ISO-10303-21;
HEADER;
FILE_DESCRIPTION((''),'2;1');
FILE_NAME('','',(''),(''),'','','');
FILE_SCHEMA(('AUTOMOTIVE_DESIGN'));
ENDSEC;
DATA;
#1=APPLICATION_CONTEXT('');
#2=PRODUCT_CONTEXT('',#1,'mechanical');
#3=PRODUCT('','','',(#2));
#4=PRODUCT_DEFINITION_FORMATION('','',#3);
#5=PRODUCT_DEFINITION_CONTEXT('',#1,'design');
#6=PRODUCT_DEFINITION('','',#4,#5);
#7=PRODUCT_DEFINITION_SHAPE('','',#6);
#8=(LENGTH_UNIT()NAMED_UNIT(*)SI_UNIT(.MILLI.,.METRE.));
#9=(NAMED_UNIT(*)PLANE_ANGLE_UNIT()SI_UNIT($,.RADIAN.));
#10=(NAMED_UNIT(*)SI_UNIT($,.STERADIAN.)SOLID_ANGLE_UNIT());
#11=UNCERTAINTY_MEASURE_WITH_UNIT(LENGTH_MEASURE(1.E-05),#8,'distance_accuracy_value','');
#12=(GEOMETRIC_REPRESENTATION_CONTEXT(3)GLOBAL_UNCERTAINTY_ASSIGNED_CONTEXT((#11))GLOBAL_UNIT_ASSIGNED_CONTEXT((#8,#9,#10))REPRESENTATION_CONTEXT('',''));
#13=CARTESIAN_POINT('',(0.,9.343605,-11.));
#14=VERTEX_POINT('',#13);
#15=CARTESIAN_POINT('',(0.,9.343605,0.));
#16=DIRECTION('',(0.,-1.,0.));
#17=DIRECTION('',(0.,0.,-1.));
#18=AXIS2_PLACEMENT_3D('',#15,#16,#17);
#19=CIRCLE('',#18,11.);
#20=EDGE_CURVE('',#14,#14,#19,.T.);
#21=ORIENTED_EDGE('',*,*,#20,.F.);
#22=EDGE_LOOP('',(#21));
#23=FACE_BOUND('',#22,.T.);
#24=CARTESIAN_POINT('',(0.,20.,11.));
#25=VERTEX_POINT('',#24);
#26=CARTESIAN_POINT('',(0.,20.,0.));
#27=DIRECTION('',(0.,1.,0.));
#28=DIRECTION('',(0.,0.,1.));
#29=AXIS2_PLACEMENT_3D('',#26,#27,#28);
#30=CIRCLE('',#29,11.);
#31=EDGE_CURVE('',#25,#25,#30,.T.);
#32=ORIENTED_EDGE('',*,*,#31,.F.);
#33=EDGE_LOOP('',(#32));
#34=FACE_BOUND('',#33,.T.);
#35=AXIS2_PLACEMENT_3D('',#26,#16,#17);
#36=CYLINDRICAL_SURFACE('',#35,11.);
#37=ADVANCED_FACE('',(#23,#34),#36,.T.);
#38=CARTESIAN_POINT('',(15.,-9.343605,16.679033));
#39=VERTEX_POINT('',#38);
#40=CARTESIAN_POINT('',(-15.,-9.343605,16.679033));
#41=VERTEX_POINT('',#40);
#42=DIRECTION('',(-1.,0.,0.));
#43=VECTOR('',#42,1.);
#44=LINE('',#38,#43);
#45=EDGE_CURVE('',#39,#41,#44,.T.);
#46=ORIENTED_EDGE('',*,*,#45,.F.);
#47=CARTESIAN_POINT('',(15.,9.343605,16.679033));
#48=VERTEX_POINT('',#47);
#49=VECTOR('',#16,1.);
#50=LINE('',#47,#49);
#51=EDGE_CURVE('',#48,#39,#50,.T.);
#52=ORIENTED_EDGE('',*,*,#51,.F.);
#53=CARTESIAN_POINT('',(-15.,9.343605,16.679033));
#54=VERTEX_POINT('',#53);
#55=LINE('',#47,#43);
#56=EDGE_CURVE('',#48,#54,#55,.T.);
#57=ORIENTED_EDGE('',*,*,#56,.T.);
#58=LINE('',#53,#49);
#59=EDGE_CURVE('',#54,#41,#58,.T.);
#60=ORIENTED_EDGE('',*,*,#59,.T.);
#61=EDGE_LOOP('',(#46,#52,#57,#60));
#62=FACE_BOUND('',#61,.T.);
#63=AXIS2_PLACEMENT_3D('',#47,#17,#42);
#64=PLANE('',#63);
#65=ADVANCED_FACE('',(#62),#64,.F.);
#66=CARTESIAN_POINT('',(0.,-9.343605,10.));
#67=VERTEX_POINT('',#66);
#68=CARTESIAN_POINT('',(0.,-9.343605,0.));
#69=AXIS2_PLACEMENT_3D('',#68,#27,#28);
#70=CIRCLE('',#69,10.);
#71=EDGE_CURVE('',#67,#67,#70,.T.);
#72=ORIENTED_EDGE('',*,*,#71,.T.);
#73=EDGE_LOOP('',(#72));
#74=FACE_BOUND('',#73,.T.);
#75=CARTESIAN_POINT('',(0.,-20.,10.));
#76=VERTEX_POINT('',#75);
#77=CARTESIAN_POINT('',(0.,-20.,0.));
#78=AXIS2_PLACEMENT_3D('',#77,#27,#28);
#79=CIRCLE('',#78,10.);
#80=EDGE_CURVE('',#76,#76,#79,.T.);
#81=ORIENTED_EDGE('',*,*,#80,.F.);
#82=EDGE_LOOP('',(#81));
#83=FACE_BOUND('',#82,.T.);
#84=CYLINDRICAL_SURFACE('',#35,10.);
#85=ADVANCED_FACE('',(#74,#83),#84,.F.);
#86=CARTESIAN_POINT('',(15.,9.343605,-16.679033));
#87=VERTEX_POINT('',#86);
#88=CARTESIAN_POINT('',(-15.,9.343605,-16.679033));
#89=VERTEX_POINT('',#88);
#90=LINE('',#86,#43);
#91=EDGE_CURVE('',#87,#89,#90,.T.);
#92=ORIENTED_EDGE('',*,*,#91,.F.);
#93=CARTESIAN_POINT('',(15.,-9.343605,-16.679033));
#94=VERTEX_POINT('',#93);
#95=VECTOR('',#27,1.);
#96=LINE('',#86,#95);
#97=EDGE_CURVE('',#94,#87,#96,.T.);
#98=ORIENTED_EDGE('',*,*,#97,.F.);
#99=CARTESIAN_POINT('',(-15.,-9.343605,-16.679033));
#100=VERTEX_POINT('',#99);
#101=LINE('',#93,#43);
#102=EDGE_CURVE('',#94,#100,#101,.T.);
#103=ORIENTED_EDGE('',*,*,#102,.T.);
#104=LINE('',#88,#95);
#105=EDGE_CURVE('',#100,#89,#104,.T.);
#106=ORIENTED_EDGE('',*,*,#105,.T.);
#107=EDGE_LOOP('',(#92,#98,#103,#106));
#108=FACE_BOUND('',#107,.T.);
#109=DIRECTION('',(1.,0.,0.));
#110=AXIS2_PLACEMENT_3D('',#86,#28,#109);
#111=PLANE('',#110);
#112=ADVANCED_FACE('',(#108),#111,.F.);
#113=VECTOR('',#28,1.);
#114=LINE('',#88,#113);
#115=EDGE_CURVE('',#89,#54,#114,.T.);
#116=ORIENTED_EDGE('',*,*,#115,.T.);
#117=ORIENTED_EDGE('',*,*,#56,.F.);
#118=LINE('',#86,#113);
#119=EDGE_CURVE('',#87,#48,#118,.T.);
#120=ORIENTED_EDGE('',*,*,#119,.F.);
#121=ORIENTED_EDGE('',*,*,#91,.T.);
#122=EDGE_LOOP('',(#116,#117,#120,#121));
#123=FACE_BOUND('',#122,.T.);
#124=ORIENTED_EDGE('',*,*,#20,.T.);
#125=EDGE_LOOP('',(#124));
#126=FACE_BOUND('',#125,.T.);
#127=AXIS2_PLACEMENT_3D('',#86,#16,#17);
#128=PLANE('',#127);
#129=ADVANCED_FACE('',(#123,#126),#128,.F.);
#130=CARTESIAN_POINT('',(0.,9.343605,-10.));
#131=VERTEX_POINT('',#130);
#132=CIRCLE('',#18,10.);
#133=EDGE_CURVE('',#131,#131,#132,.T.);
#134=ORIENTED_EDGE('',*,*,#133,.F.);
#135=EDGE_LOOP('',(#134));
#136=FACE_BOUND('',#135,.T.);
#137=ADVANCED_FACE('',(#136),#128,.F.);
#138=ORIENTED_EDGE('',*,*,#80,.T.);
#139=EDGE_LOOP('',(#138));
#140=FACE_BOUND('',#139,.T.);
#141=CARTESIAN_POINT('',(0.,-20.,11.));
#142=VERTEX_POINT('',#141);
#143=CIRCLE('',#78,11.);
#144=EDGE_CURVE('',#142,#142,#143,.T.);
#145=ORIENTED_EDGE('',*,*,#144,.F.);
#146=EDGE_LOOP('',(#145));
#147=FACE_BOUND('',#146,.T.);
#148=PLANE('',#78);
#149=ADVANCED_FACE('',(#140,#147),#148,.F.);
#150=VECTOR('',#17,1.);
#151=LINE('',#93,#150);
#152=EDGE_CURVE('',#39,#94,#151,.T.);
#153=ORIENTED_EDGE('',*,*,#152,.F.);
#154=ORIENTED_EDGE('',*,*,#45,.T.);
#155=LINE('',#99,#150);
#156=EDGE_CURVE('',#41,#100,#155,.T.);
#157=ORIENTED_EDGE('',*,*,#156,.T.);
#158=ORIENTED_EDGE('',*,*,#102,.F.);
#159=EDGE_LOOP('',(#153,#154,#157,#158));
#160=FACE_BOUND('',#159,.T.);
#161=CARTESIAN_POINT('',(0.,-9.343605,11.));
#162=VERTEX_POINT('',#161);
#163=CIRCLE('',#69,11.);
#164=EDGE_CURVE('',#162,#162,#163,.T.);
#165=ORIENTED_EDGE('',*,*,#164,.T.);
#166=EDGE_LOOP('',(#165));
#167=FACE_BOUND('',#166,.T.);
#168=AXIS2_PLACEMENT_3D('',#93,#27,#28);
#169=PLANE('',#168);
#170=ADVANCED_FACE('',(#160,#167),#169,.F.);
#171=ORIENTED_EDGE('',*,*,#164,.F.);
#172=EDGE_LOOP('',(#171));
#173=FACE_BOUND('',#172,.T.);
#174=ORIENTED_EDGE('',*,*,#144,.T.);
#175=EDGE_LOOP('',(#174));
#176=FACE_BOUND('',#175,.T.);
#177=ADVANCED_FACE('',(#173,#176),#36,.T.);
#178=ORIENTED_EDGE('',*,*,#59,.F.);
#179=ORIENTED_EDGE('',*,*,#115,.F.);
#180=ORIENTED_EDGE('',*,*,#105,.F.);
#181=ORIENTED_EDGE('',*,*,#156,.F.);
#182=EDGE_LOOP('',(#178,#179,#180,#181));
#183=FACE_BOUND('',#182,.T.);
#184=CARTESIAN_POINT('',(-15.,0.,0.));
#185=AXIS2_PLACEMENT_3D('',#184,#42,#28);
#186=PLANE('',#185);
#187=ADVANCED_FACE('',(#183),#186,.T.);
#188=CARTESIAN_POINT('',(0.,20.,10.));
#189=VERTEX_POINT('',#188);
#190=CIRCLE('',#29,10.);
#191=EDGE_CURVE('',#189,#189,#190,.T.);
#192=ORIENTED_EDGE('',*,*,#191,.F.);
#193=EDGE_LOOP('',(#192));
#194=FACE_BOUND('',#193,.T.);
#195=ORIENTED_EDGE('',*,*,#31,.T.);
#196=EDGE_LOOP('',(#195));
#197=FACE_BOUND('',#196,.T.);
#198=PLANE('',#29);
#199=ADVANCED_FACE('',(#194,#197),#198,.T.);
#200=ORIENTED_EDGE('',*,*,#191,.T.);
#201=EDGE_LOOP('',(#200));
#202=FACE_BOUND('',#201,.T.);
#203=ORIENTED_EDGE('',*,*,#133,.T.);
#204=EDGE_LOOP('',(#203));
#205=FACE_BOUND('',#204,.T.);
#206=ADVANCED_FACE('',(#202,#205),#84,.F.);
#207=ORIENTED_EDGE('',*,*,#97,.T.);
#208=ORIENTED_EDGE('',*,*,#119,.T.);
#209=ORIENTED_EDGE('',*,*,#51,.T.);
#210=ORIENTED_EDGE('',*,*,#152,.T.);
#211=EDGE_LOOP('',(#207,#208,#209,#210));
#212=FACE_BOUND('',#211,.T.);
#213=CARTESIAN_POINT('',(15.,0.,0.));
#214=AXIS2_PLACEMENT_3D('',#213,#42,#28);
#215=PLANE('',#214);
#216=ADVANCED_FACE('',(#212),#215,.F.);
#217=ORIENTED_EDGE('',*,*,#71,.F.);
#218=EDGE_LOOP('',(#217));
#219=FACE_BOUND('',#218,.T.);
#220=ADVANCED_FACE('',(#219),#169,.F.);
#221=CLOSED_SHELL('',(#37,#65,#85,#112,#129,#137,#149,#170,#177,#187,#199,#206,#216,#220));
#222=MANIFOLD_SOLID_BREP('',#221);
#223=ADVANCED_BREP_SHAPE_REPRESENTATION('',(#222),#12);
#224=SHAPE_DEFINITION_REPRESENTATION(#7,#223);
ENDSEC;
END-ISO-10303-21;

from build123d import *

# Parameters (mm, degrees)
SKETCH1_R           = 11
SKETCH1_R_2         = 10
BOSS_EXTRUDE1_DEPTH = 20
SKETCH2_W           = 33.358065124
SKETCH2_H           = 18.687210396
BOSS_EXTRUDE2_DEPTH = 15


with BuildPart() as part:
    # Sketch1 → Boss-Extrude1 (new, symmetric)
    with BuildSketch(Plane(origin=(0, 0, 0), x_dir=(1, 0, 0), z_dir=(0, 1, 0))):
        with Locations(Location((0, 0, 0), (0, 0, 270))):
            Circle(SKETCH1_R)
        with Locations(Location((0, 0, 0), (0, 0, 270))):
            Circle(SKETCH1_R_2, mode=Mode.SUBTRACT)
    extrude(amount=BOSS_EXTRUDE1_DEPTH, both=True)

    # Sketch2 → Boss-Extrude2 (add, symmetric)
    with BuildSketch(Plane(origin=(0, 0, 0), x_dir=(0, 0, -1), z_dir=(1, 0, 0))):
        Rectangle(SKETCH2_W, SKETCH2_H)
    extrude(amount=BOSS_EXTRUDE2_DEPTH, both=True)


solid = part.part
